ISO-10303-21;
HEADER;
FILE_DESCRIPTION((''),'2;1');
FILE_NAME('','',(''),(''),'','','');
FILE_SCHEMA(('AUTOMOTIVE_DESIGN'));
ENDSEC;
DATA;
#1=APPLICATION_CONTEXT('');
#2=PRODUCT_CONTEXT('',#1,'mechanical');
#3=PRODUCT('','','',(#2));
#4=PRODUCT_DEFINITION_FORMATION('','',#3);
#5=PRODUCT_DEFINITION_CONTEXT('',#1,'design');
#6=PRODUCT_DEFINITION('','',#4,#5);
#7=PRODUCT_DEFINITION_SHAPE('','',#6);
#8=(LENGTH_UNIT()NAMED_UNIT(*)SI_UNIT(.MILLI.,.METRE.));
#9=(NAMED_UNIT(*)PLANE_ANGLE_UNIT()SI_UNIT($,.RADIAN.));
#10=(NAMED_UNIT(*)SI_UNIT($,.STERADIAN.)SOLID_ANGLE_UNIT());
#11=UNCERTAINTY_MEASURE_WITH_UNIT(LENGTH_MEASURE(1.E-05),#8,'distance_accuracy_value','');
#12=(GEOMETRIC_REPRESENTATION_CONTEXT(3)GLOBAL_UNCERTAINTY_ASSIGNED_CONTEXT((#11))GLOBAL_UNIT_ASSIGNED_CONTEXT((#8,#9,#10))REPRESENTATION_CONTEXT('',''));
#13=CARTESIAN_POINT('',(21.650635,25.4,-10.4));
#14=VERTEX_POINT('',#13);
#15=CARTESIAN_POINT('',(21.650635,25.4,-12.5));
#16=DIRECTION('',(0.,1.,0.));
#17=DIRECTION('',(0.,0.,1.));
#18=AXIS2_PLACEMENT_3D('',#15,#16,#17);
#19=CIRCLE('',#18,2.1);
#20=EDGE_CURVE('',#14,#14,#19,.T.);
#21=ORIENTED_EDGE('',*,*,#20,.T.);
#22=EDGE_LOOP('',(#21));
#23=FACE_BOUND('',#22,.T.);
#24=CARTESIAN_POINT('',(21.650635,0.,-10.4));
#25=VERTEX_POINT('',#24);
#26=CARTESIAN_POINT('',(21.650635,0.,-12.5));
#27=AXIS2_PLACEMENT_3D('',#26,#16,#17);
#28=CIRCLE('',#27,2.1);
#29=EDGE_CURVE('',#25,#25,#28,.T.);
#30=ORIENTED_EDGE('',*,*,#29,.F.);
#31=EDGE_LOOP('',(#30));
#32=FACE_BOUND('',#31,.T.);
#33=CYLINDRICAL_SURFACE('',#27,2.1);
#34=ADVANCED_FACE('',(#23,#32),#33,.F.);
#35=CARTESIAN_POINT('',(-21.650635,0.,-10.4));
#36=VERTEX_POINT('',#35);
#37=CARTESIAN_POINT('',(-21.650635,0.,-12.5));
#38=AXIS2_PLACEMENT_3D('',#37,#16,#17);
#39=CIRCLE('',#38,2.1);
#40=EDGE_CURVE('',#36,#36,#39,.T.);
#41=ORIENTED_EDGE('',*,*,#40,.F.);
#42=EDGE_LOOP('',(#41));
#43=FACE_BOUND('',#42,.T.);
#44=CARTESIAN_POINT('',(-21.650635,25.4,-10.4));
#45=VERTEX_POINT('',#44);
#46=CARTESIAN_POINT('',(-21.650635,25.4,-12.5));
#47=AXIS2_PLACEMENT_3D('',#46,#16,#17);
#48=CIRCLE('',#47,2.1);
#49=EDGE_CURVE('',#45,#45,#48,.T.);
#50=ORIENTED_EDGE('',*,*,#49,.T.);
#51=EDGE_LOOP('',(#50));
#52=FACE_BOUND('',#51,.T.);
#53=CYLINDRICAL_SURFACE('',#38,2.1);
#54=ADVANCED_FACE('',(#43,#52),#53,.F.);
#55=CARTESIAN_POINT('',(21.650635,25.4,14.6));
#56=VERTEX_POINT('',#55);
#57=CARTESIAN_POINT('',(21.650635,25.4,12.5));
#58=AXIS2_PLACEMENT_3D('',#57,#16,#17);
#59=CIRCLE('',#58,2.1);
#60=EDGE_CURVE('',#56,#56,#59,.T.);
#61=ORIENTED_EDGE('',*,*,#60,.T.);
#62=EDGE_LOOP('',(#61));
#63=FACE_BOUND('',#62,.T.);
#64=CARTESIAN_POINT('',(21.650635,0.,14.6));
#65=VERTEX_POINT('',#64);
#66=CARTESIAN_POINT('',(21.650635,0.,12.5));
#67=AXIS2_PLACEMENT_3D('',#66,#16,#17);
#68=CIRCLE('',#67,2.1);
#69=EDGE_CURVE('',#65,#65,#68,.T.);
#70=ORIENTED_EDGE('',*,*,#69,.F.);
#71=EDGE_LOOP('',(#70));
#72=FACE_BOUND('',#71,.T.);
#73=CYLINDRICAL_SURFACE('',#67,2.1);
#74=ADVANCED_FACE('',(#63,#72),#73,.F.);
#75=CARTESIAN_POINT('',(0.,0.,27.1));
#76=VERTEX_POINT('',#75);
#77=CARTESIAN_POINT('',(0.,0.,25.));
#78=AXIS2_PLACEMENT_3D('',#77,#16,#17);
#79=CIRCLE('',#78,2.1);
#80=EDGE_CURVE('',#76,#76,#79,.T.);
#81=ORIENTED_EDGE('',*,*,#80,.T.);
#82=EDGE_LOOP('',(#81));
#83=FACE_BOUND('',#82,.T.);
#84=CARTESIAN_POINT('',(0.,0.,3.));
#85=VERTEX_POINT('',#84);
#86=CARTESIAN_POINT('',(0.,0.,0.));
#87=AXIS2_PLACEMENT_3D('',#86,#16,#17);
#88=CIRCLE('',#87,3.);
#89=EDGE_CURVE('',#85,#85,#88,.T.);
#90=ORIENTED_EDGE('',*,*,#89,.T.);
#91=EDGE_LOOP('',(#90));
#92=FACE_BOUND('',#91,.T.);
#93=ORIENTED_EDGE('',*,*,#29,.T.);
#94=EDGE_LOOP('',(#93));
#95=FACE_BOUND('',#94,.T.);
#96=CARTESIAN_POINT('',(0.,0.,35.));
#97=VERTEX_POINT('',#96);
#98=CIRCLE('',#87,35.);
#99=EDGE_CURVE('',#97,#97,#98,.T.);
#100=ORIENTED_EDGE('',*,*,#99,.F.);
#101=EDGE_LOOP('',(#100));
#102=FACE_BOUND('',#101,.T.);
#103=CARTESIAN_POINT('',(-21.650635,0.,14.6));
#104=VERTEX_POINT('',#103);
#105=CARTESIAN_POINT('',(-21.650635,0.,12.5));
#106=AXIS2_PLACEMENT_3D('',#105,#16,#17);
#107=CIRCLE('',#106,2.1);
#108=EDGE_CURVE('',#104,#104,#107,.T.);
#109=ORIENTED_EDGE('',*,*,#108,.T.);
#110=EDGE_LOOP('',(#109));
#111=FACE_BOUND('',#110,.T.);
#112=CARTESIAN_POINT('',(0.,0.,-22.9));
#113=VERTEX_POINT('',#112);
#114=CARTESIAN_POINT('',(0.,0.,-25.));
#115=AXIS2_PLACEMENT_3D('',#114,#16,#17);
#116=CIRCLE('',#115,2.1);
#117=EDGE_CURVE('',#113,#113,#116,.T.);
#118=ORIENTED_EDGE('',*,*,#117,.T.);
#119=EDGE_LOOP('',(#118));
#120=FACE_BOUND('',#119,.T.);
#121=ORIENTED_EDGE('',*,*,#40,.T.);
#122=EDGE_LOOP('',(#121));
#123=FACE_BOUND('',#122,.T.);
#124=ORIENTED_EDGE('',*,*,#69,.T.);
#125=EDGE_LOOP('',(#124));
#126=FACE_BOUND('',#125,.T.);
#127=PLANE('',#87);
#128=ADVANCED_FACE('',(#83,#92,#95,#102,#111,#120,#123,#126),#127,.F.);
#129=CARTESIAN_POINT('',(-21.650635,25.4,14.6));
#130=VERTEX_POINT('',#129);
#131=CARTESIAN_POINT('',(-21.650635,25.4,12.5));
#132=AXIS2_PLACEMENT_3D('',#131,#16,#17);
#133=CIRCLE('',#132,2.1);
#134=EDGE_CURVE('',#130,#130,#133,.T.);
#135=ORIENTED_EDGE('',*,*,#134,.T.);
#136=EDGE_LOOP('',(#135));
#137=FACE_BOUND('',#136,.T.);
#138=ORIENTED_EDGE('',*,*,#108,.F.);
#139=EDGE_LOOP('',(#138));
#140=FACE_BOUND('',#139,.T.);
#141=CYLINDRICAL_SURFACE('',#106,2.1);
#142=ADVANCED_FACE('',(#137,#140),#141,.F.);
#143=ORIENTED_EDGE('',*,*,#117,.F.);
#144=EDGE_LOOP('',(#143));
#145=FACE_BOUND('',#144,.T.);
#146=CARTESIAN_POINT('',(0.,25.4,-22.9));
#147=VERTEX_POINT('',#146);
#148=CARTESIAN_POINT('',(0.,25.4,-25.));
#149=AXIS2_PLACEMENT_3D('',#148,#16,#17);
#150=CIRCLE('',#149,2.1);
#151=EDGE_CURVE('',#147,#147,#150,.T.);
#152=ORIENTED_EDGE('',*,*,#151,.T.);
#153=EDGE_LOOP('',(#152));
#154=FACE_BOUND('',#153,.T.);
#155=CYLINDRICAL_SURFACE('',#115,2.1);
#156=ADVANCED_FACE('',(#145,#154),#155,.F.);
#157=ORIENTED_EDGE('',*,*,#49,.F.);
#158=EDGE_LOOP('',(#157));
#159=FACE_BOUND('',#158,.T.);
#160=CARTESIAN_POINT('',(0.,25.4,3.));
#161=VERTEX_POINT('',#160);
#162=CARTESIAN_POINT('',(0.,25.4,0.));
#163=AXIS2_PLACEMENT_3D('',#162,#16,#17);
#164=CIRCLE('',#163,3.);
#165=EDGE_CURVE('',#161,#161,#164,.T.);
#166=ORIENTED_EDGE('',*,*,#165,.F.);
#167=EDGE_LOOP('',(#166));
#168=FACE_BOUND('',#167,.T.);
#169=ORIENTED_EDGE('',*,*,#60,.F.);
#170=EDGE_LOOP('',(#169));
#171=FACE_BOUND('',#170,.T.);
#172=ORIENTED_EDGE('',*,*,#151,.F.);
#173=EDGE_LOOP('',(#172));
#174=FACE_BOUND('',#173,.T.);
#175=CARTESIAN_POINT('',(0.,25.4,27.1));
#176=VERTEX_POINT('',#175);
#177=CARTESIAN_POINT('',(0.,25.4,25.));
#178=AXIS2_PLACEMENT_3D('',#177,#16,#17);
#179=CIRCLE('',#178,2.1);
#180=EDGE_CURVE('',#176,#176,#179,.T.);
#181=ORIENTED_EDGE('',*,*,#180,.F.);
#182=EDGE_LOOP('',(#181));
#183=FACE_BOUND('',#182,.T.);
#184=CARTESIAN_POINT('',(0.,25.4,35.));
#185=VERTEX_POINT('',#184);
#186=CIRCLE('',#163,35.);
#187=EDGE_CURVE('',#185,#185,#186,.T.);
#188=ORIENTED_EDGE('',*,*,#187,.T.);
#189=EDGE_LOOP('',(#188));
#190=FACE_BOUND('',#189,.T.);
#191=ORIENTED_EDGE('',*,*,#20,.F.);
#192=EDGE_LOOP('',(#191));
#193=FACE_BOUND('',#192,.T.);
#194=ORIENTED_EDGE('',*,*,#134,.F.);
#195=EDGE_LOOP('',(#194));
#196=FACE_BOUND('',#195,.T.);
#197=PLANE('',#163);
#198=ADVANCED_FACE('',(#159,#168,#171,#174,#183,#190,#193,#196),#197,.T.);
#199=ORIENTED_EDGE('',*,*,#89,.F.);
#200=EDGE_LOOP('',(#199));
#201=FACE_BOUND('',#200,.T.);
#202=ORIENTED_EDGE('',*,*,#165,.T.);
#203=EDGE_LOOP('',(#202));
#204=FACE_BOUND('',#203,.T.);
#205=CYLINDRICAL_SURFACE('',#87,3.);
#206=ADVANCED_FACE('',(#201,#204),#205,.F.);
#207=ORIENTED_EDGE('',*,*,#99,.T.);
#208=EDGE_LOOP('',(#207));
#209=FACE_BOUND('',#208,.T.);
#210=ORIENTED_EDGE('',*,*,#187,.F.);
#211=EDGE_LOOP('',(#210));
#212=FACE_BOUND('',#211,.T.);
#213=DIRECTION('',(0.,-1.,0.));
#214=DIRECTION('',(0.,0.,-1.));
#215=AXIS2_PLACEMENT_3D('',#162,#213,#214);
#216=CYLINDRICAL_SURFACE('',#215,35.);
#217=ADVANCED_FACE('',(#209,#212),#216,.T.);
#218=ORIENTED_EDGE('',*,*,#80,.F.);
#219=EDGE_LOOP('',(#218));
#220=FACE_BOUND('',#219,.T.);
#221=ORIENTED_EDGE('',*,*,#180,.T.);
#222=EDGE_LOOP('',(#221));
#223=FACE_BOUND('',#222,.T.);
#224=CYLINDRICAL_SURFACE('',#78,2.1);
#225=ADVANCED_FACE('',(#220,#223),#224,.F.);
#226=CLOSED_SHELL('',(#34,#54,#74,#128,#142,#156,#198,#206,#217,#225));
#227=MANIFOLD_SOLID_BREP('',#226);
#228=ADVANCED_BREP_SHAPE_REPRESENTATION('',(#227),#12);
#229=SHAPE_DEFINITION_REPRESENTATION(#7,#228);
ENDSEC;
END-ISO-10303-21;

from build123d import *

# Parameters (mm, degrees)
SKETCH2_R           = 35
BOSS_EXTRUDE1_DEPTH = 25.4
CUT_EXTRUDE1_DEPTH  = 56.634162167
SKETCH5_R           = 2.1
CUT_EXTRUDE3_DEPTH  = 56.634162167


with BuildPart() as part:
    # Sketch2 → Boss-Extrude1 (new body)
    with BuildSketch(Plane(origin=(0, 0, 0), x_dir=(1, 0, 0), z_dir=(0, 1, 0))):
        with Locations(Location((0, 0, 0), (0, 0, 270))):
            Circle(SKETCH2_R)
    extrude(amount=BOSS_EXTRUDE1_DEPTH)

    # Sketch3 → Cut-Extrude1 (cut, through all)
    with BuildSketch(Plane(origin=(0, 25.4, 0), x_dir=(1, 0, 0), z_dir=(0, 1, 0))):
        with BuildLine():
            ThreePointArc((-1.658312395, 2.5), (0, -3), (1.658312395, 2.5))
            ThreePointArc((1.658312395, 2.5), (0, 3), (-1.658312395, 2.5))
        make_face()
    extrude(amount=-CUT_EXTRUDE1_DEPTH, mode=Mode.SUBTRACT)

    # Sketch5 → Cut-Extrude3 (cut, through all)
    with BuildSketch(Plane(origin=(0, 25.4, 0), x_dir=(1, 0, 0), z_dir=(0, 1, 0))):
        with Locations(Location((0, 25, 0), (0, 0, 270))):
            Circle(SKETCH5_R)
        with Locations(Location((21.650635095, 12.5, 0), (0, 0, 270))):
            Circle(SKETCH5_R)
        with Locations(Location((21.650635095, -12.5, 0), (0, 0, 270))):
            Circle(SKETCH5_R)
        with Locations(Location((0, -25, 0), (0, 0, 270))):
            Circle(SKETCH5_R)
        with Locations(Location((-21.650635095, -12.5, 0), (0, 0, 270))):
            Circle(SKETCH5_R)
        with Locations(Location((-21.650635095, 12.5, 0), (0, 0, 270))):
            Circle(SKETCH5_R)
    extrude(amount=-CUT_EXTRUDE3_DEPTH, mode=Mode.SUBTRACT)


solid = part.part
